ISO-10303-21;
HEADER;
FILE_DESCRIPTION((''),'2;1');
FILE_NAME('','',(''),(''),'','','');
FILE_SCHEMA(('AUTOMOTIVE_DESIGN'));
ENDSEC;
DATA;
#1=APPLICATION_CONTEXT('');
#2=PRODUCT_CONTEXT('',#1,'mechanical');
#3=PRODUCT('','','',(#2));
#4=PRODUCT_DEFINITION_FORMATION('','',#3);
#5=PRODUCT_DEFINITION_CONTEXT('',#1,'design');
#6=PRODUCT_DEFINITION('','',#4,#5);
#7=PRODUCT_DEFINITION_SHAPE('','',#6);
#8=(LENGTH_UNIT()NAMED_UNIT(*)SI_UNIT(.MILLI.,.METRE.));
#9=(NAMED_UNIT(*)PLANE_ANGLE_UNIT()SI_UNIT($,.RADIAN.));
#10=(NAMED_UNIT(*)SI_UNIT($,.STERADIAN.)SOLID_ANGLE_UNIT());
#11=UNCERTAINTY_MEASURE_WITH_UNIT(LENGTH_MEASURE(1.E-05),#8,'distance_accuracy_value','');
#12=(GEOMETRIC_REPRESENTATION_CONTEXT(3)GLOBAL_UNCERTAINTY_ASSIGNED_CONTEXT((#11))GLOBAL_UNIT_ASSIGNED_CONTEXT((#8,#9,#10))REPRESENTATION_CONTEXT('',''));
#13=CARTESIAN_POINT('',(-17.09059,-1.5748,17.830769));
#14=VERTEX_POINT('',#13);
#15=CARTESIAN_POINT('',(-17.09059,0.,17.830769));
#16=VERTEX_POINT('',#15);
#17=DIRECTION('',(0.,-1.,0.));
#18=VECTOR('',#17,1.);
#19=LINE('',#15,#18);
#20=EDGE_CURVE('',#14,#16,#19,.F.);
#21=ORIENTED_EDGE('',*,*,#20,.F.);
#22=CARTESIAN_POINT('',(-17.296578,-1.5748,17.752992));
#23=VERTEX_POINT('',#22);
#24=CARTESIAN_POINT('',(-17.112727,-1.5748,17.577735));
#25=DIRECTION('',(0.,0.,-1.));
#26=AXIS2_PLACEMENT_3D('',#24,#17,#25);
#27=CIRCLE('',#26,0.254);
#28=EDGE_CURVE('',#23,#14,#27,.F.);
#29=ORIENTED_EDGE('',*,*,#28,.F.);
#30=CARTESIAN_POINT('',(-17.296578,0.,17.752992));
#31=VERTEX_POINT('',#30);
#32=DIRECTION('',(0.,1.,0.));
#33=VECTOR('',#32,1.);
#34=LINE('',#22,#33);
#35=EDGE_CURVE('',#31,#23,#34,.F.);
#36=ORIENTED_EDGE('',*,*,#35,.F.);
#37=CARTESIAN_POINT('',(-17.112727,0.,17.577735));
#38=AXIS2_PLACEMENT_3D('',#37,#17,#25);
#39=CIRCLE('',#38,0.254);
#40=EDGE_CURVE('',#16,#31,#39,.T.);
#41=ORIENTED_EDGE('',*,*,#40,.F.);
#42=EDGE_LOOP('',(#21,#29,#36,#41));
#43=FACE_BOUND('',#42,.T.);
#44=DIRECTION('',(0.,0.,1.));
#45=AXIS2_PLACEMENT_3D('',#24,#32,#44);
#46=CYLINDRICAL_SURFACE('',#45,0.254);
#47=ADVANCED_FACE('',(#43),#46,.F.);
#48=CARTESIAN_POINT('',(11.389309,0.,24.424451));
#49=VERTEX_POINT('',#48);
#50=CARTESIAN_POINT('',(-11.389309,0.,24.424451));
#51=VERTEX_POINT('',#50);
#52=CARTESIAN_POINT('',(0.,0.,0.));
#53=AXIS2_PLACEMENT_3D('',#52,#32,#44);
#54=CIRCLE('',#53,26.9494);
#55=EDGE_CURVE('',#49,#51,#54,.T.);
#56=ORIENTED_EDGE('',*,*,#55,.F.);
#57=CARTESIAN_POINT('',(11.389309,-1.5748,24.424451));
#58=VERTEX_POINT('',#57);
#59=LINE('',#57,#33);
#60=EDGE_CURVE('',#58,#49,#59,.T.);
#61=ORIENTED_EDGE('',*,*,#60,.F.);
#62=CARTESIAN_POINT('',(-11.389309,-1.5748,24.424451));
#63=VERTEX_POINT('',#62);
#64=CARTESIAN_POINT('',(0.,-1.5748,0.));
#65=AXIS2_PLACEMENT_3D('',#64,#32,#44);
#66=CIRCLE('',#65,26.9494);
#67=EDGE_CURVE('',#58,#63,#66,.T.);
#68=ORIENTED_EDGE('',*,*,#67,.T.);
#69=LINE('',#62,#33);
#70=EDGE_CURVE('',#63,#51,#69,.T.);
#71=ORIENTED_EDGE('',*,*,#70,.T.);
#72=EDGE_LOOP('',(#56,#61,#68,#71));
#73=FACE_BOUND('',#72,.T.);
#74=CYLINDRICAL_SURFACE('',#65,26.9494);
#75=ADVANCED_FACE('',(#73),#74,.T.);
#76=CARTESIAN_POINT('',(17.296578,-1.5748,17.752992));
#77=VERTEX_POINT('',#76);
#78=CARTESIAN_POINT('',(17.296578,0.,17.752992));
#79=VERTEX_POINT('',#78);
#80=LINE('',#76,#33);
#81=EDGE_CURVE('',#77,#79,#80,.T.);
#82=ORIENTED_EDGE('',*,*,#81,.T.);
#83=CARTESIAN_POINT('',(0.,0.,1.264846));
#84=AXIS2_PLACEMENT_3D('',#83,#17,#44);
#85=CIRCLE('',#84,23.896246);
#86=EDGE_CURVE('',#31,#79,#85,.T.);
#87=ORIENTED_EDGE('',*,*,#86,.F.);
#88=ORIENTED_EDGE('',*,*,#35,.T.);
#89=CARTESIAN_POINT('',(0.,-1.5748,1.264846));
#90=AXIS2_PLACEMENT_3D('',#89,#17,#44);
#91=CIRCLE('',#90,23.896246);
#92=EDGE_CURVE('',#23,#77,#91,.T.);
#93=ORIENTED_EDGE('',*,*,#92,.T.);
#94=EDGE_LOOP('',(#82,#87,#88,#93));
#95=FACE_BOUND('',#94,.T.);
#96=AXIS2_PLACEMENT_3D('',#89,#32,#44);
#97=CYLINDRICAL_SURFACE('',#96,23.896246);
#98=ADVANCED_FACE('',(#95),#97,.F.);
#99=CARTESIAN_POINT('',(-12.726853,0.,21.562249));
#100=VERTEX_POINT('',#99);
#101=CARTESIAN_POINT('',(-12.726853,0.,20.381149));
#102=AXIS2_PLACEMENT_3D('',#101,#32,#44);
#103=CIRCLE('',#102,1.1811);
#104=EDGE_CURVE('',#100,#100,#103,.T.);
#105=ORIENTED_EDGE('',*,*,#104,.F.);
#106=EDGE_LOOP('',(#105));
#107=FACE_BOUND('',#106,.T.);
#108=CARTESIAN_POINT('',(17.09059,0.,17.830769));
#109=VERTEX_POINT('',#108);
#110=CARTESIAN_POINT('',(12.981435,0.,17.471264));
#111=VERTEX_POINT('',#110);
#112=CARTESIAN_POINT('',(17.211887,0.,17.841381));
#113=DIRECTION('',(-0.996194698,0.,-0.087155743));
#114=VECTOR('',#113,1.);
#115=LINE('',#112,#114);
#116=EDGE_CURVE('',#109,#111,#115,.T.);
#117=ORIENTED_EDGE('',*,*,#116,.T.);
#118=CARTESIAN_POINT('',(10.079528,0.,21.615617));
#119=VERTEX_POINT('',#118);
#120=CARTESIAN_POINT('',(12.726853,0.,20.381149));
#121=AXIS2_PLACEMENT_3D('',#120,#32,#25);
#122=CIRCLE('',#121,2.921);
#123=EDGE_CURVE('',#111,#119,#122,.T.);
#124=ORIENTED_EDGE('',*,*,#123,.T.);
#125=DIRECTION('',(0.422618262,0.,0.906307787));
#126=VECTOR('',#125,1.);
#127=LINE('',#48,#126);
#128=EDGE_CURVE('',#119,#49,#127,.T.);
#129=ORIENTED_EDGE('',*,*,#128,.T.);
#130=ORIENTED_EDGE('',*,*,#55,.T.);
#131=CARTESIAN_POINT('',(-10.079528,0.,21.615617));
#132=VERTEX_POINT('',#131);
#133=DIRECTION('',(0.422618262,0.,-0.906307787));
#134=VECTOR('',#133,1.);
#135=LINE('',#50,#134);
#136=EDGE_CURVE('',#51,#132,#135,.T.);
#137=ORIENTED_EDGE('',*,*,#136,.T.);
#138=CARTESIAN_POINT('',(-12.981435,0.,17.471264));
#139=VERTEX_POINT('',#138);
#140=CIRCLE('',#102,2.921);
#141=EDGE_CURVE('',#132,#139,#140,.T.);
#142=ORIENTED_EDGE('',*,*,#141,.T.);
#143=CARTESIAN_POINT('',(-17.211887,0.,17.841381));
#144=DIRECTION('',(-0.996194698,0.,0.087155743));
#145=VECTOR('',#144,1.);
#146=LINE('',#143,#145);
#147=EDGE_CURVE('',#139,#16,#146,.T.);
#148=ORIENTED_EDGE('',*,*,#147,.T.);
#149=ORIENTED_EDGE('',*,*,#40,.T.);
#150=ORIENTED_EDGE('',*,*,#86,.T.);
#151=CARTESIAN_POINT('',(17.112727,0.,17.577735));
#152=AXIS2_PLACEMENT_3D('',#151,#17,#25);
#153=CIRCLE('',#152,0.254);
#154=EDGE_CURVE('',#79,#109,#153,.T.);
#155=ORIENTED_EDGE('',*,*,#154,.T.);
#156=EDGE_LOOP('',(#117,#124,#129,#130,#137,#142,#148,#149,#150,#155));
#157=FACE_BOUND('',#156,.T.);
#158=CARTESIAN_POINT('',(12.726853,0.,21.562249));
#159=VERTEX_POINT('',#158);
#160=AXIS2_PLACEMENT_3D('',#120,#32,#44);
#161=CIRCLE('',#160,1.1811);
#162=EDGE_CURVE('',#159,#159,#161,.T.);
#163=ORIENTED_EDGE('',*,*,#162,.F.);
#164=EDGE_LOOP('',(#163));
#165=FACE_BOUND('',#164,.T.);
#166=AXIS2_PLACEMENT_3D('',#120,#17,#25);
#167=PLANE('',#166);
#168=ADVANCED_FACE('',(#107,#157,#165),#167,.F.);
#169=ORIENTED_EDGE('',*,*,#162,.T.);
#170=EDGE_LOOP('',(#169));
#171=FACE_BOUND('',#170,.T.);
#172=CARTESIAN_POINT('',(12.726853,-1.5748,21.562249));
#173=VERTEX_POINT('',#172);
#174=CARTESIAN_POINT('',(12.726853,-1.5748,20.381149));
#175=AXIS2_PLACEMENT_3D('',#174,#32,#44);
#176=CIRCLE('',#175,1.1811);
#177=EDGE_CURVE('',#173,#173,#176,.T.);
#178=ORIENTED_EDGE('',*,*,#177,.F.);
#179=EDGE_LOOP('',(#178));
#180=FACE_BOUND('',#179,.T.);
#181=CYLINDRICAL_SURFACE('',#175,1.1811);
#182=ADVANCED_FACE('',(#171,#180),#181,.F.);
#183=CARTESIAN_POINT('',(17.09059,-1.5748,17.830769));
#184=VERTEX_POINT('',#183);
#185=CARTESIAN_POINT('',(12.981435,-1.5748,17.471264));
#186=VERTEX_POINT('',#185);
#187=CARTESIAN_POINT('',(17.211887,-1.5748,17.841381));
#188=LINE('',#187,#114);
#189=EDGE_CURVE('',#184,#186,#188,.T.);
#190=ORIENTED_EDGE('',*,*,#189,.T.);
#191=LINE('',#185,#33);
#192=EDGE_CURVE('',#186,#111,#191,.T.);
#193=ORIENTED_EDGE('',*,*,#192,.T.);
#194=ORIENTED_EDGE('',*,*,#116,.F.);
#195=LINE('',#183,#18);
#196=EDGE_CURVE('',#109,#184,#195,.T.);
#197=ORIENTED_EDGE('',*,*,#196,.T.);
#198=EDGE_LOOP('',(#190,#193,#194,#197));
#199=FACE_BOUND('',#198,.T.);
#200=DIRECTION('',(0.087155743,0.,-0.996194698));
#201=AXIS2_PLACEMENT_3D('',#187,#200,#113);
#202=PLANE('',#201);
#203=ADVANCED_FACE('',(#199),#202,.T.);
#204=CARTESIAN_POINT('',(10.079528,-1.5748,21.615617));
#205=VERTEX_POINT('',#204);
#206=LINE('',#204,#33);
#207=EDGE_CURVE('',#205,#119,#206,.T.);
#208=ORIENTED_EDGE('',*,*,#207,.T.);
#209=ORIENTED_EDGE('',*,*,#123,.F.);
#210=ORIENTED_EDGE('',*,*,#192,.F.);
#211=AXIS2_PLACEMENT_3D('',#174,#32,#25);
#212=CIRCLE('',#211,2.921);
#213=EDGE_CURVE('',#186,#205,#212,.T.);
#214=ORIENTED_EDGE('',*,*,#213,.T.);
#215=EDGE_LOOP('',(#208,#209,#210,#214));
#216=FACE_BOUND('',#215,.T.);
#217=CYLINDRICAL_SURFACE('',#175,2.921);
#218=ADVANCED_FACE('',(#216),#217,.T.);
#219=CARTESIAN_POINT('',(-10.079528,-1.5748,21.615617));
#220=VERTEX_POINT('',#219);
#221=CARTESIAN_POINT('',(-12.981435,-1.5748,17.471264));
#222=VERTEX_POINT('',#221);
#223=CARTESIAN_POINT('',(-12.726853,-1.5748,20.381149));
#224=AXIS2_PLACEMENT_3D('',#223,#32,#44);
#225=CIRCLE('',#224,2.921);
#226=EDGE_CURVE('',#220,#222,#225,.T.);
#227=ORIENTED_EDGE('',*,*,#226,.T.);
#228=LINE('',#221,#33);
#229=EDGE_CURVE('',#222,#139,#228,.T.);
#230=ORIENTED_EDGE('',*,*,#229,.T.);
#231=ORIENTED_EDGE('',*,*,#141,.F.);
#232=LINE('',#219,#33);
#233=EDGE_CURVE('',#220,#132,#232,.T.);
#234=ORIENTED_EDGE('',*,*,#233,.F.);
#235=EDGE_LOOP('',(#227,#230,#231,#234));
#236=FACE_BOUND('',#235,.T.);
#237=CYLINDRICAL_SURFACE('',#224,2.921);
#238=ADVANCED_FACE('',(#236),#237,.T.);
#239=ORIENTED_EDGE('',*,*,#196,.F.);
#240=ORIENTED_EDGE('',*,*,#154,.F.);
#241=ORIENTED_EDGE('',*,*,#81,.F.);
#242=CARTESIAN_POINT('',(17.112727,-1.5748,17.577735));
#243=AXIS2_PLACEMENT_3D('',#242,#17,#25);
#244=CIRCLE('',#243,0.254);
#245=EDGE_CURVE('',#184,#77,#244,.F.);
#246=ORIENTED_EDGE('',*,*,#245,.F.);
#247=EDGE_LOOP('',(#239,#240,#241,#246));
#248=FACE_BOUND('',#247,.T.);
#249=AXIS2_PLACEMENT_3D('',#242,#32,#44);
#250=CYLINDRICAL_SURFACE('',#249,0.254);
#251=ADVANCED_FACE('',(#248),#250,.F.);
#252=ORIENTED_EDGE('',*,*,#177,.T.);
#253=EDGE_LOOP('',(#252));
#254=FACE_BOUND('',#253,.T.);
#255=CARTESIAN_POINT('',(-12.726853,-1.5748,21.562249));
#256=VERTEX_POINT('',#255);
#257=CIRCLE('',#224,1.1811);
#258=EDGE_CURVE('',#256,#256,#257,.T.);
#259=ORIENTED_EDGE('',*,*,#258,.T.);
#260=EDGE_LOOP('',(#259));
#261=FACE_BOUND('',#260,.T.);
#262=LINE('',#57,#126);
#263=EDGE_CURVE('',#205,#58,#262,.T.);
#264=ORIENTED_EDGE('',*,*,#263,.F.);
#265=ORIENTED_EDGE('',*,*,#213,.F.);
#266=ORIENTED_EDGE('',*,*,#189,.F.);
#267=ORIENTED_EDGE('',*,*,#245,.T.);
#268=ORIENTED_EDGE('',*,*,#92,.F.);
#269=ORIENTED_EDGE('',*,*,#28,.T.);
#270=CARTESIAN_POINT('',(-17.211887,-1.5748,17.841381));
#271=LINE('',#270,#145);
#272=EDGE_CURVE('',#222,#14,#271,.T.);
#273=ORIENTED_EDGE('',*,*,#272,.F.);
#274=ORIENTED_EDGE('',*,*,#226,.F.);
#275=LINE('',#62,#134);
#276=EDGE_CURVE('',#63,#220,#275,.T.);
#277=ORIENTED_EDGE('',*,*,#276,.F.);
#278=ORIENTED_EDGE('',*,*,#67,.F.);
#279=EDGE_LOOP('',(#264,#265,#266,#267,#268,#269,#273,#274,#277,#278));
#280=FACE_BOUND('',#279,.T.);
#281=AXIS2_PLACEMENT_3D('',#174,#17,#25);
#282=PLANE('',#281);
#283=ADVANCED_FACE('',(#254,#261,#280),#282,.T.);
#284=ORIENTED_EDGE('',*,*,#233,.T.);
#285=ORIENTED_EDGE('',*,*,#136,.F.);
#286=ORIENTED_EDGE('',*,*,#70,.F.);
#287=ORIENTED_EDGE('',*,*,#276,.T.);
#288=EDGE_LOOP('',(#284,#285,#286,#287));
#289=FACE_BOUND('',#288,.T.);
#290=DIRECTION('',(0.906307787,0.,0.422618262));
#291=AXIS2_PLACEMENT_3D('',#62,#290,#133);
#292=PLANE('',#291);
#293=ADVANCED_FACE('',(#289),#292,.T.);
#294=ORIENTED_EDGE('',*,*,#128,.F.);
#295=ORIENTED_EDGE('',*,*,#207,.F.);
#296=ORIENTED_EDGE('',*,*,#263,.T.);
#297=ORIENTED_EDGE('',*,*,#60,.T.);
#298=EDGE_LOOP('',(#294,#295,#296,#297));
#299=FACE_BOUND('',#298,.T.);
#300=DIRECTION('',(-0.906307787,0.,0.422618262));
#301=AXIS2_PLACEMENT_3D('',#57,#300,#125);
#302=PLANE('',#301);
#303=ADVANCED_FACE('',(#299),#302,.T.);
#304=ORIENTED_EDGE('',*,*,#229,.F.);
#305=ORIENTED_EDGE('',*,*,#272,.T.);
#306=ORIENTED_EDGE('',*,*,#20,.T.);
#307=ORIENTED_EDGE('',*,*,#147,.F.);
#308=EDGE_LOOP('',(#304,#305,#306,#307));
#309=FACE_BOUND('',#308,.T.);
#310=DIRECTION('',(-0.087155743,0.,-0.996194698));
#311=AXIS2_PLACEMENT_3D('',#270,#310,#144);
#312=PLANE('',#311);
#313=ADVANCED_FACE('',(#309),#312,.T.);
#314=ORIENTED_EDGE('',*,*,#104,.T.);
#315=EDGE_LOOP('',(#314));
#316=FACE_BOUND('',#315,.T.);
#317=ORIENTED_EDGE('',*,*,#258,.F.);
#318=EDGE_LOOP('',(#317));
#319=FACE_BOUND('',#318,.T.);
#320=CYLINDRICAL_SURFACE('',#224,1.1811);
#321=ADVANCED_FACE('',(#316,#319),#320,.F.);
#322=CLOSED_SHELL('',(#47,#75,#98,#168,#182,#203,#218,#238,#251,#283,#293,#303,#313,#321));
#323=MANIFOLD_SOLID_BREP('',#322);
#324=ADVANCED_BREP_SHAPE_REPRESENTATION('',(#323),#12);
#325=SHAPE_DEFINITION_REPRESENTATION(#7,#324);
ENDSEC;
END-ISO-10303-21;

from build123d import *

# Parameters (mm, degrees)
SKETCH2_R      = 1.1811
EXTRUDE1_DEPTH = 1.5748
FILLET1_R      = 0.254


with BuildPart() as part:
    # Sketch2 → Extrude1 (new body)
    with BuildSketch(Plane(origin=(0, 0, 0), x_dir=(1, 0, 0), z_dir=(0, 1, 0))):
        with BuildLine():
            Line((11.389308583, -24.424451076), (10.079527634, -21.615616767))
            ThreePointArc((10.079527634, -21.615616767), (10.334109559, -18.705732054), (12.981434605, -17.471264112))
            Line((12.981434605, -17.471264112), (17.211887304, -17.841380764))
            ThreePointArc((17.211887304, -17.841380764), (0, 22.6314), (-17.211887304, -17.841380764))
            Line((-17.211887304, -17.841380764), (-12.981434605, -17.471264112))
            ThreePointArc((-12.981434605, -17.471264112), (-10.334109559, -18.705732054), (-10.079527634, -21.615616767))
            Line((-10.079527634, -21.615616767), (-11.389308583, -24.424451076))
            ThreePointArc((-11.389308583, -24.424451076), (0, 26.9494), (11.389308583, -24.424451076))
        make_face()
        with Locations((12.72685268, -20.381148825)):
            Circle(SKETCH2_R, mode=Mode.SUBTRACT)
        with Locations((-12.72685268, -20.381148825)):
            Circle(SKETCH2_R, mode=Mode.SUBTRACT)
    extrude(amount=-EXTRUDE1_DEPTH)

    # Fillet1
    fillet1_edges = [part.edges().sort_by_distance(p)[0] for p in [
        (17.211887304, -0.7874, 17.841380764),
        (-17.211887304, -0.7874, 17.841380764),
    ]]
    fillet(fillet1_edges, radius=FILLET1_R)


solid = part.part
